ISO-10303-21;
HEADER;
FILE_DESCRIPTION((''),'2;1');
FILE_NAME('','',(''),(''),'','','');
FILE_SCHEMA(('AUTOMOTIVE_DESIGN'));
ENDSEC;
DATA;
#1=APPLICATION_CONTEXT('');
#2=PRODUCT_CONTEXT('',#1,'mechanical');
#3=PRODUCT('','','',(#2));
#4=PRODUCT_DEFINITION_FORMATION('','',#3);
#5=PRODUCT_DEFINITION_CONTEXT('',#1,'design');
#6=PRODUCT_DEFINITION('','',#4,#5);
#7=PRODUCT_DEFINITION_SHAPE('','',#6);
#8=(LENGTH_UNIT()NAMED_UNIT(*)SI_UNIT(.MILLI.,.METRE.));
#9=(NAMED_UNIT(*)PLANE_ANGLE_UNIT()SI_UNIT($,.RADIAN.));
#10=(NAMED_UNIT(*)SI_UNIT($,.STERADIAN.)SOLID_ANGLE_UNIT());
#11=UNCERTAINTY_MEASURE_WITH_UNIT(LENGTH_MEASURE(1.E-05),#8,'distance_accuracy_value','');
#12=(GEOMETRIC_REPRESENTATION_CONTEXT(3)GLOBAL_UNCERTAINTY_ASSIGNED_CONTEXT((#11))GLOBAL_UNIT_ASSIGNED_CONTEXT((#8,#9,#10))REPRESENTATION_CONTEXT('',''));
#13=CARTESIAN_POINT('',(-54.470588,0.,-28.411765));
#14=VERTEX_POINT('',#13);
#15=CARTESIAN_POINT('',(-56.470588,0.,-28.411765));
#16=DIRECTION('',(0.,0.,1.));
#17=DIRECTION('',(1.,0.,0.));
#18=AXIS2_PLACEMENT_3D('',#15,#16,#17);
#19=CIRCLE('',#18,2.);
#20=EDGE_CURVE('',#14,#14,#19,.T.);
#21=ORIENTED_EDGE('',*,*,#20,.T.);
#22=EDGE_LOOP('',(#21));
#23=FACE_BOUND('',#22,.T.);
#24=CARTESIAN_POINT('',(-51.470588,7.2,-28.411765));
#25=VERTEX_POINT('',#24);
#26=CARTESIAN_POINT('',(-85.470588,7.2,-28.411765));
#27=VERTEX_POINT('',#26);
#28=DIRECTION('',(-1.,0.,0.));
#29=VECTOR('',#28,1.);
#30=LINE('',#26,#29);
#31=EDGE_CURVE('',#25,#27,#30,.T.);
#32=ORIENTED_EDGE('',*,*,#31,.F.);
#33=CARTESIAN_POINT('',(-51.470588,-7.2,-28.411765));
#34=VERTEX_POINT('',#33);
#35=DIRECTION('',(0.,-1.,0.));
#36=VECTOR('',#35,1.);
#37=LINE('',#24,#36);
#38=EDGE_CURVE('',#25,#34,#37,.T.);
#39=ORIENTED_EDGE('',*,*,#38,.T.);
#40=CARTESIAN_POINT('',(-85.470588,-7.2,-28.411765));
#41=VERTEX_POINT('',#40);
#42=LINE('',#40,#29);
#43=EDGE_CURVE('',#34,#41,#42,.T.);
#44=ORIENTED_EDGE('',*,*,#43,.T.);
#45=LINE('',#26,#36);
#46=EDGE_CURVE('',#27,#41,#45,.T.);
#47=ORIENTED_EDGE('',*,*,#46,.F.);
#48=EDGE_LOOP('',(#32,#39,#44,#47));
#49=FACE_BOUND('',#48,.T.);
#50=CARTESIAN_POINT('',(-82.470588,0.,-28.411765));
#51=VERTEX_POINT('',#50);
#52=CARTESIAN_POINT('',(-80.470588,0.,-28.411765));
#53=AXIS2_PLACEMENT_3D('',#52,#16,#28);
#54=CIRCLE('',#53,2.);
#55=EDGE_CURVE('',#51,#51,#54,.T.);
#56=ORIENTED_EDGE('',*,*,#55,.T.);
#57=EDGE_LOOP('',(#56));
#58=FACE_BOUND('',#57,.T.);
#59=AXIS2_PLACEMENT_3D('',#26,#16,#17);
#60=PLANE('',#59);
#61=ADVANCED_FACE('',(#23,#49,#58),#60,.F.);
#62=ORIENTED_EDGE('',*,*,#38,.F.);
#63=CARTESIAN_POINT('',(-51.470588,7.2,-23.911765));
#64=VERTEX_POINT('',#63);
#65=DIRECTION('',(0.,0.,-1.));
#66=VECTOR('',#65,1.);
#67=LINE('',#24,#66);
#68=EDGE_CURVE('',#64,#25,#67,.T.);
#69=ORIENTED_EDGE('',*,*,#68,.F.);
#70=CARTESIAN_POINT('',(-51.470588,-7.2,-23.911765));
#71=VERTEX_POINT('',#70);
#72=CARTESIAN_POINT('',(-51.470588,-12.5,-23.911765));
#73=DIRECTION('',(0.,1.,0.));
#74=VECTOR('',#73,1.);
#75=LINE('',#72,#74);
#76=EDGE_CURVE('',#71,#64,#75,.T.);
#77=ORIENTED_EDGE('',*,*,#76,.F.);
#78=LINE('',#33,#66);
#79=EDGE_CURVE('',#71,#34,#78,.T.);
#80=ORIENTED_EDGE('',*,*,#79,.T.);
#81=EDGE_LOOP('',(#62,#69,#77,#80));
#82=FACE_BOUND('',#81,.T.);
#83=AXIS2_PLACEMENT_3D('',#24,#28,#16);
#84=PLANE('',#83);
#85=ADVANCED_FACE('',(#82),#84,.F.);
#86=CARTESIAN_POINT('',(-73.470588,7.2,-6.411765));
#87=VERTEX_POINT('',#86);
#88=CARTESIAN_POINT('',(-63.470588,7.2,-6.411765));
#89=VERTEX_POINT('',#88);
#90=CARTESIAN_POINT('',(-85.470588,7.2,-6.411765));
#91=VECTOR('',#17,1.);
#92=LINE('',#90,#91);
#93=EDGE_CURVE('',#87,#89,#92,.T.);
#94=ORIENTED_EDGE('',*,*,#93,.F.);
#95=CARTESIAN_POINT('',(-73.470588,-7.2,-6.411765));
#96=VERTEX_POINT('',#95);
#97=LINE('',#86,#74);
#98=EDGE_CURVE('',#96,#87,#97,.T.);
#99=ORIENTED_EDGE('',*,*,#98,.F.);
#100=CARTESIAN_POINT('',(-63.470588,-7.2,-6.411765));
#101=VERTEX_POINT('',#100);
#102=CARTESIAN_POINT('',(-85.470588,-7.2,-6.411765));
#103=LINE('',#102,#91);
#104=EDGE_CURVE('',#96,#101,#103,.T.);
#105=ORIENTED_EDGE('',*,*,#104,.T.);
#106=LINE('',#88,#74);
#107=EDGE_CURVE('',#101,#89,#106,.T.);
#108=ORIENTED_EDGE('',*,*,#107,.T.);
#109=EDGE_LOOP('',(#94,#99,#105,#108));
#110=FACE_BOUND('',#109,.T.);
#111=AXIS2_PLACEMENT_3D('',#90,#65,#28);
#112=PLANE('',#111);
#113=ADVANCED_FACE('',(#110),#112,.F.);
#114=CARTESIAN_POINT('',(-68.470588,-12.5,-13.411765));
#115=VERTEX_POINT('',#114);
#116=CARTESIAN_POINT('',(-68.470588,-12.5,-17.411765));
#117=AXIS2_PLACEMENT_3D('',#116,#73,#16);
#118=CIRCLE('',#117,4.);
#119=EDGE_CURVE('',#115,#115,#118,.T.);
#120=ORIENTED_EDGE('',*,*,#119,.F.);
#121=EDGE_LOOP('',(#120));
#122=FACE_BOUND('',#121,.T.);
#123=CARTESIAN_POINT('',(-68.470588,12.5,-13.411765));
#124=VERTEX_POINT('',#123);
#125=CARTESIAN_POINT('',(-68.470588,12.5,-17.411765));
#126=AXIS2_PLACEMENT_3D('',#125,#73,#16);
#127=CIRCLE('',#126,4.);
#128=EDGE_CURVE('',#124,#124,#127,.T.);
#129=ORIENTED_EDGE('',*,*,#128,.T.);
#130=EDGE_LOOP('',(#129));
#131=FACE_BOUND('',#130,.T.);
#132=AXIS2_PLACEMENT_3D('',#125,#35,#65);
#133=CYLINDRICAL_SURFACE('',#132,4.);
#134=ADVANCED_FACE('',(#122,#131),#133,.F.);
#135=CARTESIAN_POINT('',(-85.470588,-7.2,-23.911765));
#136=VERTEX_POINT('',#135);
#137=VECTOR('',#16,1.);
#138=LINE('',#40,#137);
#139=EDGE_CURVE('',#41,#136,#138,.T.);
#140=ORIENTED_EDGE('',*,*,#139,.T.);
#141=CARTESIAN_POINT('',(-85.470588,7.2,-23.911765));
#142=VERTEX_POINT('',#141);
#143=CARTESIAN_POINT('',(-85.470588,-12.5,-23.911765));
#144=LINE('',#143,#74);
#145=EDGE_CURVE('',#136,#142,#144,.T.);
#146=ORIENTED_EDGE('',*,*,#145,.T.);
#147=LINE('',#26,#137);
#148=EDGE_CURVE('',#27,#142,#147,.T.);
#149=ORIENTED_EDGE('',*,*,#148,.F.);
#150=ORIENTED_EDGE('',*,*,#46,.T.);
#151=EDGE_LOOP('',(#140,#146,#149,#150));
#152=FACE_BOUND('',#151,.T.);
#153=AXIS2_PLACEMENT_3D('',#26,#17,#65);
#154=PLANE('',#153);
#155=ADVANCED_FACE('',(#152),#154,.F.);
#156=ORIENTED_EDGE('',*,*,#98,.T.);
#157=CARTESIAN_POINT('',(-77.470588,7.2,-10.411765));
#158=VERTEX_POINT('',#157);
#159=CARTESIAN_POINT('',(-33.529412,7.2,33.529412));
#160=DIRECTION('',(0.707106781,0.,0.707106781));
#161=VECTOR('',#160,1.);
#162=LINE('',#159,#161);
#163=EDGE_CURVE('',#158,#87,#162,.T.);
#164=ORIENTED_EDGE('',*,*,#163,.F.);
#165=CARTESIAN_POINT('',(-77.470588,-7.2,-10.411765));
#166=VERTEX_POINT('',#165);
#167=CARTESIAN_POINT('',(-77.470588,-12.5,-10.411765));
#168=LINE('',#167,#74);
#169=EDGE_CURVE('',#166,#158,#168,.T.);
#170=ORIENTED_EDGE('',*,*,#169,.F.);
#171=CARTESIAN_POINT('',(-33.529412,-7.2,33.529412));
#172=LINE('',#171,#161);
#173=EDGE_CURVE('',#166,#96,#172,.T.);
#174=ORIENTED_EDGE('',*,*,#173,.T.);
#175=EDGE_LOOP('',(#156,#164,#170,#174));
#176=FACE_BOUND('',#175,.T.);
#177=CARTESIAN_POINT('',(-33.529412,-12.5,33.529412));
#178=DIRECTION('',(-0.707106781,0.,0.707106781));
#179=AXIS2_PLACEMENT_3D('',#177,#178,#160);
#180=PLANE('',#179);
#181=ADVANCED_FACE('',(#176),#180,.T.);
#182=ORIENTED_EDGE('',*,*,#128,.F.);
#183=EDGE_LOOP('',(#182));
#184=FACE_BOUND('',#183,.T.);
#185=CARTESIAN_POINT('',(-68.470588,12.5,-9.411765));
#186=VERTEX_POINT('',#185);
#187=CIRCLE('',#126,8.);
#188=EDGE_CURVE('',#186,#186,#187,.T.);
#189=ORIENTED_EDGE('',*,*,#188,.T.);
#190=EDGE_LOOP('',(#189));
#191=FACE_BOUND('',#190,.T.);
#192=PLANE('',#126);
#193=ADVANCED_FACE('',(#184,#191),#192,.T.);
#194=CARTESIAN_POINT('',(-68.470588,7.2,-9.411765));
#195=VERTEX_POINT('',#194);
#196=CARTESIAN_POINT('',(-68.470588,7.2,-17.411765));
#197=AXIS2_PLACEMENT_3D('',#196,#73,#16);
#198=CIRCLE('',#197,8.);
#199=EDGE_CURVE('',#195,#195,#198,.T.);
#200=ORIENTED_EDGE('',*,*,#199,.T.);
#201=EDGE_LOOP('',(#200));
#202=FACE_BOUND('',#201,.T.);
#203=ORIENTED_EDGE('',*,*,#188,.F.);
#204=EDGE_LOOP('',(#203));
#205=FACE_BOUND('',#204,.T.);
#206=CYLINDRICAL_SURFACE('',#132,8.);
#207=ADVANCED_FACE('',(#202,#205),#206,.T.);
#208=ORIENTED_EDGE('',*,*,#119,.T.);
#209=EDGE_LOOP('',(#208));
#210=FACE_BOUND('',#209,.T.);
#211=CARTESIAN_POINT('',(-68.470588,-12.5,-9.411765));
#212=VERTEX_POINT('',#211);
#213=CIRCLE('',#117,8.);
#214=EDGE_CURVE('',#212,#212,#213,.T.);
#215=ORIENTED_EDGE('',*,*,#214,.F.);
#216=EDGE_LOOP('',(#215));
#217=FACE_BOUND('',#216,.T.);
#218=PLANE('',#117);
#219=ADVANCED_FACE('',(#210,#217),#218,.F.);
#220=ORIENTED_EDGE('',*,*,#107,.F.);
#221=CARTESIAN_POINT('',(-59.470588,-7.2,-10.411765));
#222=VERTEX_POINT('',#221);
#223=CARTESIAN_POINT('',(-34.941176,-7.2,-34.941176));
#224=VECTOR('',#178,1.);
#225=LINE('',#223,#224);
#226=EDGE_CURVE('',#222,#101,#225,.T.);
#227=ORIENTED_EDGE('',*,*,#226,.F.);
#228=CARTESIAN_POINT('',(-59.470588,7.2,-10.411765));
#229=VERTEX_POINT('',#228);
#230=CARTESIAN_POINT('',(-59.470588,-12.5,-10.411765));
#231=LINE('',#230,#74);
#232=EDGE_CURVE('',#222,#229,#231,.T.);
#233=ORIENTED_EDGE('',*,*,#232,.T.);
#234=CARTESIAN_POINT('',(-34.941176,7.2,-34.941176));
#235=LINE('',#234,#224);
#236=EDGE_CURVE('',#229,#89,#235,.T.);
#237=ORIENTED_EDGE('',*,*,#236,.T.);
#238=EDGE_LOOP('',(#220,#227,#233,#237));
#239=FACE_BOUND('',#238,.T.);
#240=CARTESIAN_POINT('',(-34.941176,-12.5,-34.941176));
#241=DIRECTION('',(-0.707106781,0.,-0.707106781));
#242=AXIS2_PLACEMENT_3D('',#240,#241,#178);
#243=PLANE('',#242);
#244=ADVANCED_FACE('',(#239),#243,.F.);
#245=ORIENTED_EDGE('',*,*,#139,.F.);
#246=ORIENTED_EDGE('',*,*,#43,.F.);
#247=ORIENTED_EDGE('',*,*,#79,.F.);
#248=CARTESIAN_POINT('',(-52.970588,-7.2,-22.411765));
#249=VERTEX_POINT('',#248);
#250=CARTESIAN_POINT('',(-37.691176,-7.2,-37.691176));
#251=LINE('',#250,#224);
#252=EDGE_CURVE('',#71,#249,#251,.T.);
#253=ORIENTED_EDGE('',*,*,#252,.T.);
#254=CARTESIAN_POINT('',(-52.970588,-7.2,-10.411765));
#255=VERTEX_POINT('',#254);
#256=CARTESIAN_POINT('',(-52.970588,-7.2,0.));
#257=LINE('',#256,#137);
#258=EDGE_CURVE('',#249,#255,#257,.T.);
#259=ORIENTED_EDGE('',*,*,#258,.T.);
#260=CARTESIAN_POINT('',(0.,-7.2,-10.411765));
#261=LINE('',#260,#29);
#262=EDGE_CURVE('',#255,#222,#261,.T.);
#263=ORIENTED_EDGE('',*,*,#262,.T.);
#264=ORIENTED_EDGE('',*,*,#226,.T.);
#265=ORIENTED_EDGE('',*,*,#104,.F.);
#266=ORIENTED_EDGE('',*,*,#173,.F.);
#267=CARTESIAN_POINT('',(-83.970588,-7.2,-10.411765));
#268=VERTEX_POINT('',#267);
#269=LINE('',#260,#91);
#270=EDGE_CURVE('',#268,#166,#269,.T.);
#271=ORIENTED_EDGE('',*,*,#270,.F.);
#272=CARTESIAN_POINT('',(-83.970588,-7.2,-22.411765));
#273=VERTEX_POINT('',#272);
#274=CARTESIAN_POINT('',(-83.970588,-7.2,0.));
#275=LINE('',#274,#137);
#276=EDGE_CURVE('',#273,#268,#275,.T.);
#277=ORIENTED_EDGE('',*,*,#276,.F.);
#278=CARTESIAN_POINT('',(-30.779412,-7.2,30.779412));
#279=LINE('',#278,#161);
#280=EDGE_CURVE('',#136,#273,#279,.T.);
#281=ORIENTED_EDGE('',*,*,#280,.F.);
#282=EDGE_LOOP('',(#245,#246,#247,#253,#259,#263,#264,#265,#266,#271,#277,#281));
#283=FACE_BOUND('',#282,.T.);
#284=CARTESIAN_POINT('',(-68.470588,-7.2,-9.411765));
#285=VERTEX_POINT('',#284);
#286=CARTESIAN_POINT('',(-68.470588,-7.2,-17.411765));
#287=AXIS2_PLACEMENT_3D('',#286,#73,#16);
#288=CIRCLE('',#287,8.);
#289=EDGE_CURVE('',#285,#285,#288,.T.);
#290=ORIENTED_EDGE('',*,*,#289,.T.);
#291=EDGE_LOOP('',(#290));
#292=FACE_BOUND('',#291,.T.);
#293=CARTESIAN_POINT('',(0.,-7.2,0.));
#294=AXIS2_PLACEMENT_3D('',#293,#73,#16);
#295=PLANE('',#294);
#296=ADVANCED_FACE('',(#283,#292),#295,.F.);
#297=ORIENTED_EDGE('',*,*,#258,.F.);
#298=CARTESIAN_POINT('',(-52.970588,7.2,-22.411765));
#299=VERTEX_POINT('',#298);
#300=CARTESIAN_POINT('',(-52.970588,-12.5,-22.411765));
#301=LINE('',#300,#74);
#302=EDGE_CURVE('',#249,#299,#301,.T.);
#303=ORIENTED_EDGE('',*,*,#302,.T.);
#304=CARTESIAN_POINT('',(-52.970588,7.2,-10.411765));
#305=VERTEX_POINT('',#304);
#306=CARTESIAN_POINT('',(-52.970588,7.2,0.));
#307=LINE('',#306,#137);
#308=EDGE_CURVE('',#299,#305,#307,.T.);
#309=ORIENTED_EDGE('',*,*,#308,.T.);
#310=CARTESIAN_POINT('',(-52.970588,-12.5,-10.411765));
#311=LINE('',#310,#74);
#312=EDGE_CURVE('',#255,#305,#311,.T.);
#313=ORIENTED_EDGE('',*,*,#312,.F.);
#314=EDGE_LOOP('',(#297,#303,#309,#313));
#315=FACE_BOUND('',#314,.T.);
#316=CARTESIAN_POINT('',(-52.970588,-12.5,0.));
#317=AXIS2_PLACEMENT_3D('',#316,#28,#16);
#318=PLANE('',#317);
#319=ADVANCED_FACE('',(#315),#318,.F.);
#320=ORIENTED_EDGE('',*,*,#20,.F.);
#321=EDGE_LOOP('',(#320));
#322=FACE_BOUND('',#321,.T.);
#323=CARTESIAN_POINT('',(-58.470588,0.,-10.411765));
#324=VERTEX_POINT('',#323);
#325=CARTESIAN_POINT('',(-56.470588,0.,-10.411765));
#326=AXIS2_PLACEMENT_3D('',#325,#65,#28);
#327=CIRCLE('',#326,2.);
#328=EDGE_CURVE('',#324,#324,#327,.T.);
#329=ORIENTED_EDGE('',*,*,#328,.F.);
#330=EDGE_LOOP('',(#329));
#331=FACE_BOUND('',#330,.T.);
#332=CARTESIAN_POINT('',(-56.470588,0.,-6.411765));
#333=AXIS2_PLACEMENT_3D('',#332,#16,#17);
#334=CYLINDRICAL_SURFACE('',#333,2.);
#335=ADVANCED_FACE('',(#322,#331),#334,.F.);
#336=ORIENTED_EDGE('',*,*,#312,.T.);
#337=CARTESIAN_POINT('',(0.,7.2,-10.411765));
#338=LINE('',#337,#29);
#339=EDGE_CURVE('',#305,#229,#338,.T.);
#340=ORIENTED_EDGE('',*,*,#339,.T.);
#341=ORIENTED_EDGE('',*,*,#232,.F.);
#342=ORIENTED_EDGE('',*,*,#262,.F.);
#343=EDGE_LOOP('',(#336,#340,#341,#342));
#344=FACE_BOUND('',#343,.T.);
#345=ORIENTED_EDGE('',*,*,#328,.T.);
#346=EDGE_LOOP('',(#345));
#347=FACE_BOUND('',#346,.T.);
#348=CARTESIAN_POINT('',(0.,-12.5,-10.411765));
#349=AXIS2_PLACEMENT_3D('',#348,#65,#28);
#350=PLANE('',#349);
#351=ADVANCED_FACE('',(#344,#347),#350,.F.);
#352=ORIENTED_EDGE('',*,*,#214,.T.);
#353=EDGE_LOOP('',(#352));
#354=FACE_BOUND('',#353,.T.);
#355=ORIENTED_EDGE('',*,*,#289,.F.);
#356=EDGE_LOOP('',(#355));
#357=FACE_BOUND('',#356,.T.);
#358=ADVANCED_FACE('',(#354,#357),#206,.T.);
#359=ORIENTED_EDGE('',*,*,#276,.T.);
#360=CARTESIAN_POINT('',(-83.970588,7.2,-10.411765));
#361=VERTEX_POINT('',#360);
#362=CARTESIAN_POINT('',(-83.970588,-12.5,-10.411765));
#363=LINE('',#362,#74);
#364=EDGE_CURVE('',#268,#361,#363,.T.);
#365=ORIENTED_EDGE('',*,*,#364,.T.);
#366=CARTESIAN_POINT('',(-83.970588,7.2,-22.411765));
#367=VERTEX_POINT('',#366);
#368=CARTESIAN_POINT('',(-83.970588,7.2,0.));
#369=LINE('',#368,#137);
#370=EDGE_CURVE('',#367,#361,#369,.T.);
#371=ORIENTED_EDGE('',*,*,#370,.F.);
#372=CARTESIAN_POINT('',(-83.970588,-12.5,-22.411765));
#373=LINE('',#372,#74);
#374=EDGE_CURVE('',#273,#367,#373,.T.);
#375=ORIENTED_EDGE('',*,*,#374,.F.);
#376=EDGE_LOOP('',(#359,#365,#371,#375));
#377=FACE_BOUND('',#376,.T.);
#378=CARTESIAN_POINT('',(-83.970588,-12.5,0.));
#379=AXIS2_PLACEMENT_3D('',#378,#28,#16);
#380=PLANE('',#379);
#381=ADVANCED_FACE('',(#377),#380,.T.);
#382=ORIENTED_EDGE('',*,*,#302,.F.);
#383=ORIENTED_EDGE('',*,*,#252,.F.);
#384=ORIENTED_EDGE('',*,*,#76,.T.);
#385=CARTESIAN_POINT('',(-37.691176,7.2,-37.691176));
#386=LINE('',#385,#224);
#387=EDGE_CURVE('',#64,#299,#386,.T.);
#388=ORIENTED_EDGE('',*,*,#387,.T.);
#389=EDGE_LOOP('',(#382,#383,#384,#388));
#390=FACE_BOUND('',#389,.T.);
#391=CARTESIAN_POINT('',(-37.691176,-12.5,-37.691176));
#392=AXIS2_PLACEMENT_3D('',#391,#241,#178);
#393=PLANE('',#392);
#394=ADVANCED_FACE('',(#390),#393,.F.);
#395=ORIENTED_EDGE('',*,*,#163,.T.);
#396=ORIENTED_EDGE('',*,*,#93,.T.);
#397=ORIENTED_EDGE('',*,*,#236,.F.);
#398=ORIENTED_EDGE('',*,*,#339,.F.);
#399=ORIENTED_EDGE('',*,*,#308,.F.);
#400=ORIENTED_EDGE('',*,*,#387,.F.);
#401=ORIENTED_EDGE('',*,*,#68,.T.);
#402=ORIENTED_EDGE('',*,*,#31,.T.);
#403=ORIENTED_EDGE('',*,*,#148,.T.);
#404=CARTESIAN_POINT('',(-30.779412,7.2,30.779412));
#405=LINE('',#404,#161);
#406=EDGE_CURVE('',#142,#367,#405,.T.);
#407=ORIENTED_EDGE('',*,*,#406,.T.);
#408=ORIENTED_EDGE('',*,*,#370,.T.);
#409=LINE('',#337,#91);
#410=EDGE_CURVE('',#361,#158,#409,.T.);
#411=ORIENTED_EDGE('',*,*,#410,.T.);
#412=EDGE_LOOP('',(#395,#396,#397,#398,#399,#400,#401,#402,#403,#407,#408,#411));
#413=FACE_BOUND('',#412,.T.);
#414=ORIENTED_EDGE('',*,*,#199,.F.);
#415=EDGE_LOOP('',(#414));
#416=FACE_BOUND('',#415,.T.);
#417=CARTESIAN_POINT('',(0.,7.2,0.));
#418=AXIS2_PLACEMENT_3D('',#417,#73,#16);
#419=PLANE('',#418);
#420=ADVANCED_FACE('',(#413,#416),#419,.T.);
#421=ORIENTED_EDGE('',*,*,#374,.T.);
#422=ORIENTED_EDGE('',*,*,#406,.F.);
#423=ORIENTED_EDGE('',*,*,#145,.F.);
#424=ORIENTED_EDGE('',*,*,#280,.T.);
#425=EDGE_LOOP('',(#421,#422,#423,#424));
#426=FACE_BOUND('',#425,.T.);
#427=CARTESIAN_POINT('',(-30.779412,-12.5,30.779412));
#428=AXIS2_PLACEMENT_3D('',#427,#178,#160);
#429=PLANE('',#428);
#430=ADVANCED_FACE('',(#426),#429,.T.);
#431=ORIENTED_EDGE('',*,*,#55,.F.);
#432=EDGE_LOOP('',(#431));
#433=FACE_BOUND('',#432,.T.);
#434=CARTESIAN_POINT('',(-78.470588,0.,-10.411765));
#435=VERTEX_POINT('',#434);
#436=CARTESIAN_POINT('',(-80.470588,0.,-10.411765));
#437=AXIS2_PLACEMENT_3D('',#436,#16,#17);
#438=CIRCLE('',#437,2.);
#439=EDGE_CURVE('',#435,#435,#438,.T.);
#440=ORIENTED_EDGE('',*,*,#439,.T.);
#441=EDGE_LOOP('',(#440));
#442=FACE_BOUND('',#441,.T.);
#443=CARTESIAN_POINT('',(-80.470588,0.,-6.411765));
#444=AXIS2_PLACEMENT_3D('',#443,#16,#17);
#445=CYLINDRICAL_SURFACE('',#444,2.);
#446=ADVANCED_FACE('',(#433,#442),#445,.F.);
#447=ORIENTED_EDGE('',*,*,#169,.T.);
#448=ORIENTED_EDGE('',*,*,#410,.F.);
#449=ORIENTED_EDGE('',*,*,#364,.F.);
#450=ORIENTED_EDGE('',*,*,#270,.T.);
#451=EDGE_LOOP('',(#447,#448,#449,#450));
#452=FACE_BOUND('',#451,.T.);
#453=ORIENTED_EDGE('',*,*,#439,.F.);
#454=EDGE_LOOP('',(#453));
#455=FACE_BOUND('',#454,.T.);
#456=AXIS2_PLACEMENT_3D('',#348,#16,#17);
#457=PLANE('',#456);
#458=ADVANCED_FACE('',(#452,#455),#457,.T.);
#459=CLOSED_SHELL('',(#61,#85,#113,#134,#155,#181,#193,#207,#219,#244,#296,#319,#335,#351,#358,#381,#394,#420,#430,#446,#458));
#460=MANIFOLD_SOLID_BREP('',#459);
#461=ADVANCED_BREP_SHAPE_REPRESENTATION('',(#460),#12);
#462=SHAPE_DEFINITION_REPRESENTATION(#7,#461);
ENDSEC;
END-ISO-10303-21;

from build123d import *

# Parameters (mm, degrees)
SKETCH_1_R               = 8
SKETCH_1_R_2             = 4
EXTRUDE_1_DEPTH          = 12.5
SKETCH_2_W               = 34
SKETCH_2_H               = 22
SKETCH_2_R               = 8
EXTRUDE_2_DEPTH          = 7.2
CUT_EXTRUDE_1_DEPTH      = 13.5
CUT_EXTRUDE_1_DEPTH_BACK = 13.5
SKETCH_4_OUTSIDE_W       = 45.518
SKETCH_4_OUTSIDE_H       = 36.518
SKETCH_4_OUTSIDE_R       = 2
CUT_EXTRUDE_2_DEPTH      = 1
CUT_EXTRUDE_2_DEPTH_BACK = 29.411764706


with BuildPart() as part:
    # 草图1 → 凸台-拉伸1 (new body, symmetric)
    with BuildSketch(Plane(origin=(0, 0, 0), x_dir=(1, 0, 0), z_dir=(0, 1, 0))):
        with Locations((-68.470588235, 17.411764706)):
            Circle(SKETCH_1_R)
        with Locations((-68.470588235, 17.411764706)):
            Circle(SKETCH_1_R_2, mode=Mode.SUBTRACT)
    extrude(amount=EXTRUDE_1_DEPTH, both=True)

    # 草图2 → 凸台-拉伸2 (add, symmetric)
    with BuildSketch(Plane(origin=(0, 0, 0), x_dir=(1, 0, 0), z_dir=(0, 1, 0))):
        with Locations((-68.470588235, 17.411764706)):
            Rectangle(SKETCH_2_W, SKETCH_2_H)
        with Locations((-68.470588235, 17.411764706)):
            Circle(SKETCH_2_R, mode=Mode.SUBTRACT)
    extrude(amount=EXTRUDE_2_DEPTH, both=True)

    # 草图3 → 切除-拉伸1 (cut, two sides)
    with BuildSketch(Plane(origin=(0, 0, 0), x_dir=(1, 0, 0), z_dir=(0, 1, 0))) as cut_extrude_1_sk:
        Polygon((-52.970588235, 22.411764706), (-52.970588235, 10.411764706), (-59.470588235, 10.411764706), (-63.470588235, 6.411764706), (-51.470588235, 6.411764706), (-51.470588235, 23.911764706), align=None)
        Polygon((-85.470588235, 6.411764706), (-73.470588235, 6.411764706), (-77.470588235, 10.411764706), (-83.970588235, 10.411764706), (-83.970588235, 22.411764706), (-85.470588235, 23.911764706), align=None)
    extrude(amount=CUT_EXTRUDE_1_DEPTH, mode=Mode.SUBTRACT)
    extrude(cut_extrude_1_sk.sketch, amount=-CUT_EXTRUDE_1_DEPTH_BACK, mode=Mode.SUBTRACT)

    # 草图4 outside → 切除-拉伸2 (cut, two sides)
    with BuildSketch(Plane.XY) as cut_extrude_2_sk:
        with Locations((-68.471, 0)):
            Rectangle(SKETCH_4_OUTSIDE_W, SKETCH_4_OUTSIDE_H)
        Polygon((-60.470588235, 7.2), (-60.470588235, 12.5), (-76.470588235, 12.5), (-76.470588235, 7.2), (-85.470588235, 7.2), (-85.470588235, -7.2), (-76.470588235, -7.2), (-76.470588235, -12.5), (-60.470588235, -12.5), (-60.470588235, -7.2), (-51.470588235, -7.2), (-51.470588235, 7.2), align=None, mode=Mode.SUBTRACT)
        with Locations((-56.470588235, 0)):
            Circle(SKETCH_4_OUTSIDE_R)
        with Locations((-80.470588235, 0)):
            Circle(SKETCH_4_OUTSIDE_R)
    extrude(amount=CUT_EXTRUDE_2_DEPTH, mode=Mode.SUBTRACT)
    extrude(cut_extrude_2_sk.sketch, amount=-CUT_EXTRUDE_2_DEPTH_BACK, mode=Mode.SUBTRACT)


solid = part.part
